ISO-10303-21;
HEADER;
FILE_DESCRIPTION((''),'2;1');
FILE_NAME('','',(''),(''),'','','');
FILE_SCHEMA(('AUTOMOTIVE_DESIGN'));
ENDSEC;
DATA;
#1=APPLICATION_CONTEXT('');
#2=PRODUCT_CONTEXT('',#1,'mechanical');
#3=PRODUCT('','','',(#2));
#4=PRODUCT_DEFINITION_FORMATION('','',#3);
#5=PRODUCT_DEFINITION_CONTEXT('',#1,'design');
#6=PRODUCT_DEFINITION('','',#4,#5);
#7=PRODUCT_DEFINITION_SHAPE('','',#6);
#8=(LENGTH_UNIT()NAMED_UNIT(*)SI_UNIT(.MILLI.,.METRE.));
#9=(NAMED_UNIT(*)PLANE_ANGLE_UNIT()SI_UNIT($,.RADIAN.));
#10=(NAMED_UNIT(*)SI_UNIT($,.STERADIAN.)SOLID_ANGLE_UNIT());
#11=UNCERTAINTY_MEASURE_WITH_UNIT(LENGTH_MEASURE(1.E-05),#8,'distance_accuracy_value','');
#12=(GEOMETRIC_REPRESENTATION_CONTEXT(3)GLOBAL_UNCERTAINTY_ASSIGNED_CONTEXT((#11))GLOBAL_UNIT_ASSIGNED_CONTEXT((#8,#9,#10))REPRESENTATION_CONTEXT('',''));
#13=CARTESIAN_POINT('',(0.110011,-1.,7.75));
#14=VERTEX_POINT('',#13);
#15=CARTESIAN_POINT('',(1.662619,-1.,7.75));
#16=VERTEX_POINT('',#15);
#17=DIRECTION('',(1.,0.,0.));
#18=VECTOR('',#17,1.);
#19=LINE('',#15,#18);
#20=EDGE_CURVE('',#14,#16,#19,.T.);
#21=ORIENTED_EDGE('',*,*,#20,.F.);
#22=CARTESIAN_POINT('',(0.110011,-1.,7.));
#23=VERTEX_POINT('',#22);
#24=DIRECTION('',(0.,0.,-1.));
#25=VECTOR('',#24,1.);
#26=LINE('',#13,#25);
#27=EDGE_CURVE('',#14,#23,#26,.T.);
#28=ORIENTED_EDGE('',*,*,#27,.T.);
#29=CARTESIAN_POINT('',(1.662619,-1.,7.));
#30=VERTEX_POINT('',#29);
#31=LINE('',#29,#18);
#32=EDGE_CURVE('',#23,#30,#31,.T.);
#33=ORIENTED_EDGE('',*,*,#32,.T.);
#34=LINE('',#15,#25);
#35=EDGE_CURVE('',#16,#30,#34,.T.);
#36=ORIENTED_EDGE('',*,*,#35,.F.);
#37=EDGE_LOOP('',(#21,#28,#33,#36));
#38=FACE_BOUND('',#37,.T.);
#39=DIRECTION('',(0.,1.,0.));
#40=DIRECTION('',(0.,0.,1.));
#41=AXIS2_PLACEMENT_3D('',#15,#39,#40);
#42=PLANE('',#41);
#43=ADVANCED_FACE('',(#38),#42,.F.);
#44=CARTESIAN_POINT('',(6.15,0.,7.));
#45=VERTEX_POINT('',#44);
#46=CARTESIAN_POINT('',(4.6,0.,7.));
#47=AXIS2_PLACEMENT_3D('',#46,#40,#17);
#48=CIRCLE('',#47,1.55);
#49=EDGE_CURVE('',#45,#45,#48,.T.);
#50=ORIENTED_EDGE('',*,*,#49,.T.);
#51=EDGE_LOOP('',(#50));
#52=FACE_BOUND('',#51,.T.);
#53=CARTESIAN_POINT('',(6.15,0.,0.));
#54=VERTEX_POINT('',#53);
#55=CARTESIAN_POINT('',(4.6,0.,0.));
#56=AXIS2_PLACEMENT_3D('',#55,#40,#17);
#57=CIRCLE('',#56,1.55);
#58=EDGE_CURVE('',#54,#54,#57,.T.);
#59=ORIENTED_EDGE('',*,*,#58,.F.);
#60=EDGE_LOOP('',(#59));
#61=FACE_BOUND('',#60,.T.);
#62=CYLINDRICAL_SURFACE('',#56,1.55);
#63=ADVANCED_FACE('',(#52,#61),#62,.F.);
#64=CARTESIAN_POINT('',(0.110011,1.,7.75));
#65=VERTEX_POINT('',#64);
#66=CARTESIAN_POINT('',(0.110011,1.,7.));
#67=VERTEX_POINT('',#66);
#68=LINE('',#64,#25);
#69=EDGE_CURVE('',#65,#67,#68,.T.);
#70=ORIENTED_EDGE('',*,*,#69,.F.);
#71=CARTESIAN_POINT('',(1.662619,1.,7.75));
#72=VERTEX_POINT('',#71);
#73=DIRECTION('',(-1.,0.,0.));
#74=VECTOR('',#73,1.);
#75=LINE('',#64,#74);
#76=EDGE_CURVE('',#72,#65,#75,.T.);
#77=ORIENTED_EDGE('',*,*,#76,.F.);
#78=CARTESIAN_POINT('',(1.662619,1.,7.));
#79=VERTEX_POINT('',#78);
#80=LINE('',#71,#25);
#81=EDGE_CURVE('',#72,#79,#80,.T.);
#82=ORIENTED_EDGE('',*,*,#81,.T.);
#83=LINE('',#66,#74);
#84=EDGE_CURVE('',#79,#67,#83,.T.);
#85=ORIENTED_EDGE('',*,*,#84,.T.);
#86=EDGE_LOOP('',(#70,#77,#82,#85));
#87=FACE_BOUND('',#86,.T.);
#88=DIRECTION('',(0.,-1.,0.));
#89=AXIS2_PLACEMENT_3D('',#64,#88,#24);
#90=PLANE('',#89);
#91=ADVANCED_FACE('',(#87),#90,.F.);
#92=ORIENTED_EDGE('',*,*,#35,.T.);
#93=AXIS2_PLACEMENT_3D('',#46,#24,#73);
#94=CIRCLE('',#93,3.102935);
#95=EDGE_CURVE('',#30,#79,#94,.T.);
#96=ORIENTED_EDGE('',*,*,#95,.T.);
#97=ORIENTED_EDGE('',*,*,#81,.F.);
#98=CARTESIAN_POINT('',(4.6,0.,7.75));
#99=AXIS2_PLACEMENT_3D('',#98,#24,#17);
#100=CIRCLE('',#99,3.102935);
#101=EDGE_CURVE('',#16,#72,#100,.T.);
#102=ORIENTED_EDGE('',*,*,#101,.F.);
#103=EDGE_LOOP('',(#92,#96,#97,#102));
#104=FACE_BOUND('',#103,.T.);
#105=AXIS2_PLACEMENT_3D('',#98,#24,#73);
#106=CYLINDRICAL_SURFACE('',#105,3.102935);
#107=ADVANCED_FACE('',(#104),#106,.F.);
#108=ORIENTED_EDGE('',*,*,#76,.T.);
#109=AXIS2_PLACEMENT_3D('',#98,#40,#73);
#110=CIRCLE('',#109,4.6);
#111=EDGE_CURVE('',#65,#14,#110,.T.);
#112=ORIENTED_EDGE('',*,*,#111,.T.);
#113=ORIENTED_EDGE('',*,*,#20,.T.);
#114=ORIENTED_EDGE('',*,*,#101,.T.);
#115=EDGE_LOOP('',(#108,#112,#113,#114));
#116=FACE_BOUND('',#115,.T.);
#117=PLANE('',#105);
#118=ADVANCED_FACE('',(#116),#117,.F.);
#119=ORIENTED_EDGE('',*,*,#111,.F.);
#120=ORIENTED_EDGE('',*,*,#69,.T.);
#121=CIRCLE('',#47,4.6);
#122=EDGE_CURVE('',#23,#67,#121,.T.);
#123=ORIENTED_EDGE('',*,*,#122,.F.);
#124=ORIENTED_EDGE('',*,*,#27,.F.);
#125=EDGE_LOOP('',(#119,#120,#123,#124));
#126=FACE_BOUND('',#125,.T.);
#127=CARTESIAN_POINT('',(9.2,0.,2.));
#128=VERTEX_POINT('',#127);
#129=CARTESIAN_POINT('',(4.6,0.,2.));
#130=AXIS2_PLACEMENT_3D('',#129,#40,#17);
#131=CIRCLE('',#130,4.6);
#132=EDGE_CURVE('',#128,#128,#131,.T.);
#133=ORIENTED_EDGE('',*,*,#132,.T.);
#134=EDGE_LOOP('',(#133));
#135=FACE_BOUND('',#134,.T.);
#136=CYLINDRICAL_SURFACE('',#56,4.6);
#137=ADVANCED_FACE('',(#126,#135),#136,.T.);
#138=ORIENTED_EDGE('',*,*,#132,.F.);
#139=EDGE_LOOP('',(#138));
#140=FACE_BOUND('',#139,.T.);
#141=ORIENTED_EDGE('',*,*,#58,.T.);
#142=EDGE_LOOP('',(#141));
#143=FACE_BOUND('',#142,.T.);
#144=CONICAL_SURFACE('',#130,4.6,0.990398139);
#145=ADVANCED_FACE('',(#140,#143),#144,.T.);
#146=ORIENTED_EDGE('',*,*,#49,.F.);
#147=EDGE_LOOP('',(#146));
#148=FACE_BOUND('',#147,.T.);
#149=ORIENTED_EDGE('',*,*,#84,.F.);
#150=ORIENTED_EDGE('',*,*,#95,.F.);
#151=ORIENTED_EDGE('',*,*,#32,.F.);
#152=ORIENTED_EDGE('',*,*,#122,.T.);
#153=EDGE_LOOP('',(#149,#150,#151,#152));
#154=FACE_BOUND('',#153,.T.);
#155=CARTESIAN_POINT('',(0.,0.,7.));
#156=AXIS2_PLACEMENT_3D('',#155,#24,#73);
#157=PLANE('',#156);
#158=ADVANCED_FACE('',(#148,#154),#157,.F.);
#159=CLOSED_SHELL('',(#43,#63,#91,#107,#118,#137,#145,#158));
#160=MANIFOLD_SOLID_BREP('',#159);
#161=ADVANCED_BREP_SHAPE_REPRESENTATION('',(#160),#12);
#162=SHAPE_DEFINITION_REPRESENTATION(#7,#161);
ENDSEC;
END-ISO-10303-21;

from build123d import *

# Parameters (mm, degrees)
BOSS_EXTRUDE1_DEPTH = 0.75


with BuildPart() as part:
    # Sketch1 → Revolve1 (revolve)
    with BuildSketch(Plane(origin=(0, 0, 0), x_dir=(1, 0, 0), z_dir=(0, 1, 0))):
        Polygon((3.05, 0), (0, -2), (0, -7), (3.05, -7), align=None)
    revolve(axis=Axis((4.6, 0, 0), (0, 0, 1)))

    # Sketch2 → Boss-Extrude1 (add)
    with BuildSketch(Plane.XY.offset(7)):
        with BuildLine():
            Line((0.110011136, 1), (1.6626194, 1))
            ThreePointArc((1.6626194, 1), (1.538733475, 0.506805736), (1.497065133, 0))
            ThreePointArc((1.497065133, 0), (1.538733475, -0.506805736), (1.6626194, -1))
            Line((1.6626194, -1), (0.110011136, -1))
            ThreePointArc((0.110011136, -1), (0, 0), (0.110011136, 1))
        make_face()
    extrude(amount=BOSS_EXTRUDE1_DEPTH)


solid = part.part
